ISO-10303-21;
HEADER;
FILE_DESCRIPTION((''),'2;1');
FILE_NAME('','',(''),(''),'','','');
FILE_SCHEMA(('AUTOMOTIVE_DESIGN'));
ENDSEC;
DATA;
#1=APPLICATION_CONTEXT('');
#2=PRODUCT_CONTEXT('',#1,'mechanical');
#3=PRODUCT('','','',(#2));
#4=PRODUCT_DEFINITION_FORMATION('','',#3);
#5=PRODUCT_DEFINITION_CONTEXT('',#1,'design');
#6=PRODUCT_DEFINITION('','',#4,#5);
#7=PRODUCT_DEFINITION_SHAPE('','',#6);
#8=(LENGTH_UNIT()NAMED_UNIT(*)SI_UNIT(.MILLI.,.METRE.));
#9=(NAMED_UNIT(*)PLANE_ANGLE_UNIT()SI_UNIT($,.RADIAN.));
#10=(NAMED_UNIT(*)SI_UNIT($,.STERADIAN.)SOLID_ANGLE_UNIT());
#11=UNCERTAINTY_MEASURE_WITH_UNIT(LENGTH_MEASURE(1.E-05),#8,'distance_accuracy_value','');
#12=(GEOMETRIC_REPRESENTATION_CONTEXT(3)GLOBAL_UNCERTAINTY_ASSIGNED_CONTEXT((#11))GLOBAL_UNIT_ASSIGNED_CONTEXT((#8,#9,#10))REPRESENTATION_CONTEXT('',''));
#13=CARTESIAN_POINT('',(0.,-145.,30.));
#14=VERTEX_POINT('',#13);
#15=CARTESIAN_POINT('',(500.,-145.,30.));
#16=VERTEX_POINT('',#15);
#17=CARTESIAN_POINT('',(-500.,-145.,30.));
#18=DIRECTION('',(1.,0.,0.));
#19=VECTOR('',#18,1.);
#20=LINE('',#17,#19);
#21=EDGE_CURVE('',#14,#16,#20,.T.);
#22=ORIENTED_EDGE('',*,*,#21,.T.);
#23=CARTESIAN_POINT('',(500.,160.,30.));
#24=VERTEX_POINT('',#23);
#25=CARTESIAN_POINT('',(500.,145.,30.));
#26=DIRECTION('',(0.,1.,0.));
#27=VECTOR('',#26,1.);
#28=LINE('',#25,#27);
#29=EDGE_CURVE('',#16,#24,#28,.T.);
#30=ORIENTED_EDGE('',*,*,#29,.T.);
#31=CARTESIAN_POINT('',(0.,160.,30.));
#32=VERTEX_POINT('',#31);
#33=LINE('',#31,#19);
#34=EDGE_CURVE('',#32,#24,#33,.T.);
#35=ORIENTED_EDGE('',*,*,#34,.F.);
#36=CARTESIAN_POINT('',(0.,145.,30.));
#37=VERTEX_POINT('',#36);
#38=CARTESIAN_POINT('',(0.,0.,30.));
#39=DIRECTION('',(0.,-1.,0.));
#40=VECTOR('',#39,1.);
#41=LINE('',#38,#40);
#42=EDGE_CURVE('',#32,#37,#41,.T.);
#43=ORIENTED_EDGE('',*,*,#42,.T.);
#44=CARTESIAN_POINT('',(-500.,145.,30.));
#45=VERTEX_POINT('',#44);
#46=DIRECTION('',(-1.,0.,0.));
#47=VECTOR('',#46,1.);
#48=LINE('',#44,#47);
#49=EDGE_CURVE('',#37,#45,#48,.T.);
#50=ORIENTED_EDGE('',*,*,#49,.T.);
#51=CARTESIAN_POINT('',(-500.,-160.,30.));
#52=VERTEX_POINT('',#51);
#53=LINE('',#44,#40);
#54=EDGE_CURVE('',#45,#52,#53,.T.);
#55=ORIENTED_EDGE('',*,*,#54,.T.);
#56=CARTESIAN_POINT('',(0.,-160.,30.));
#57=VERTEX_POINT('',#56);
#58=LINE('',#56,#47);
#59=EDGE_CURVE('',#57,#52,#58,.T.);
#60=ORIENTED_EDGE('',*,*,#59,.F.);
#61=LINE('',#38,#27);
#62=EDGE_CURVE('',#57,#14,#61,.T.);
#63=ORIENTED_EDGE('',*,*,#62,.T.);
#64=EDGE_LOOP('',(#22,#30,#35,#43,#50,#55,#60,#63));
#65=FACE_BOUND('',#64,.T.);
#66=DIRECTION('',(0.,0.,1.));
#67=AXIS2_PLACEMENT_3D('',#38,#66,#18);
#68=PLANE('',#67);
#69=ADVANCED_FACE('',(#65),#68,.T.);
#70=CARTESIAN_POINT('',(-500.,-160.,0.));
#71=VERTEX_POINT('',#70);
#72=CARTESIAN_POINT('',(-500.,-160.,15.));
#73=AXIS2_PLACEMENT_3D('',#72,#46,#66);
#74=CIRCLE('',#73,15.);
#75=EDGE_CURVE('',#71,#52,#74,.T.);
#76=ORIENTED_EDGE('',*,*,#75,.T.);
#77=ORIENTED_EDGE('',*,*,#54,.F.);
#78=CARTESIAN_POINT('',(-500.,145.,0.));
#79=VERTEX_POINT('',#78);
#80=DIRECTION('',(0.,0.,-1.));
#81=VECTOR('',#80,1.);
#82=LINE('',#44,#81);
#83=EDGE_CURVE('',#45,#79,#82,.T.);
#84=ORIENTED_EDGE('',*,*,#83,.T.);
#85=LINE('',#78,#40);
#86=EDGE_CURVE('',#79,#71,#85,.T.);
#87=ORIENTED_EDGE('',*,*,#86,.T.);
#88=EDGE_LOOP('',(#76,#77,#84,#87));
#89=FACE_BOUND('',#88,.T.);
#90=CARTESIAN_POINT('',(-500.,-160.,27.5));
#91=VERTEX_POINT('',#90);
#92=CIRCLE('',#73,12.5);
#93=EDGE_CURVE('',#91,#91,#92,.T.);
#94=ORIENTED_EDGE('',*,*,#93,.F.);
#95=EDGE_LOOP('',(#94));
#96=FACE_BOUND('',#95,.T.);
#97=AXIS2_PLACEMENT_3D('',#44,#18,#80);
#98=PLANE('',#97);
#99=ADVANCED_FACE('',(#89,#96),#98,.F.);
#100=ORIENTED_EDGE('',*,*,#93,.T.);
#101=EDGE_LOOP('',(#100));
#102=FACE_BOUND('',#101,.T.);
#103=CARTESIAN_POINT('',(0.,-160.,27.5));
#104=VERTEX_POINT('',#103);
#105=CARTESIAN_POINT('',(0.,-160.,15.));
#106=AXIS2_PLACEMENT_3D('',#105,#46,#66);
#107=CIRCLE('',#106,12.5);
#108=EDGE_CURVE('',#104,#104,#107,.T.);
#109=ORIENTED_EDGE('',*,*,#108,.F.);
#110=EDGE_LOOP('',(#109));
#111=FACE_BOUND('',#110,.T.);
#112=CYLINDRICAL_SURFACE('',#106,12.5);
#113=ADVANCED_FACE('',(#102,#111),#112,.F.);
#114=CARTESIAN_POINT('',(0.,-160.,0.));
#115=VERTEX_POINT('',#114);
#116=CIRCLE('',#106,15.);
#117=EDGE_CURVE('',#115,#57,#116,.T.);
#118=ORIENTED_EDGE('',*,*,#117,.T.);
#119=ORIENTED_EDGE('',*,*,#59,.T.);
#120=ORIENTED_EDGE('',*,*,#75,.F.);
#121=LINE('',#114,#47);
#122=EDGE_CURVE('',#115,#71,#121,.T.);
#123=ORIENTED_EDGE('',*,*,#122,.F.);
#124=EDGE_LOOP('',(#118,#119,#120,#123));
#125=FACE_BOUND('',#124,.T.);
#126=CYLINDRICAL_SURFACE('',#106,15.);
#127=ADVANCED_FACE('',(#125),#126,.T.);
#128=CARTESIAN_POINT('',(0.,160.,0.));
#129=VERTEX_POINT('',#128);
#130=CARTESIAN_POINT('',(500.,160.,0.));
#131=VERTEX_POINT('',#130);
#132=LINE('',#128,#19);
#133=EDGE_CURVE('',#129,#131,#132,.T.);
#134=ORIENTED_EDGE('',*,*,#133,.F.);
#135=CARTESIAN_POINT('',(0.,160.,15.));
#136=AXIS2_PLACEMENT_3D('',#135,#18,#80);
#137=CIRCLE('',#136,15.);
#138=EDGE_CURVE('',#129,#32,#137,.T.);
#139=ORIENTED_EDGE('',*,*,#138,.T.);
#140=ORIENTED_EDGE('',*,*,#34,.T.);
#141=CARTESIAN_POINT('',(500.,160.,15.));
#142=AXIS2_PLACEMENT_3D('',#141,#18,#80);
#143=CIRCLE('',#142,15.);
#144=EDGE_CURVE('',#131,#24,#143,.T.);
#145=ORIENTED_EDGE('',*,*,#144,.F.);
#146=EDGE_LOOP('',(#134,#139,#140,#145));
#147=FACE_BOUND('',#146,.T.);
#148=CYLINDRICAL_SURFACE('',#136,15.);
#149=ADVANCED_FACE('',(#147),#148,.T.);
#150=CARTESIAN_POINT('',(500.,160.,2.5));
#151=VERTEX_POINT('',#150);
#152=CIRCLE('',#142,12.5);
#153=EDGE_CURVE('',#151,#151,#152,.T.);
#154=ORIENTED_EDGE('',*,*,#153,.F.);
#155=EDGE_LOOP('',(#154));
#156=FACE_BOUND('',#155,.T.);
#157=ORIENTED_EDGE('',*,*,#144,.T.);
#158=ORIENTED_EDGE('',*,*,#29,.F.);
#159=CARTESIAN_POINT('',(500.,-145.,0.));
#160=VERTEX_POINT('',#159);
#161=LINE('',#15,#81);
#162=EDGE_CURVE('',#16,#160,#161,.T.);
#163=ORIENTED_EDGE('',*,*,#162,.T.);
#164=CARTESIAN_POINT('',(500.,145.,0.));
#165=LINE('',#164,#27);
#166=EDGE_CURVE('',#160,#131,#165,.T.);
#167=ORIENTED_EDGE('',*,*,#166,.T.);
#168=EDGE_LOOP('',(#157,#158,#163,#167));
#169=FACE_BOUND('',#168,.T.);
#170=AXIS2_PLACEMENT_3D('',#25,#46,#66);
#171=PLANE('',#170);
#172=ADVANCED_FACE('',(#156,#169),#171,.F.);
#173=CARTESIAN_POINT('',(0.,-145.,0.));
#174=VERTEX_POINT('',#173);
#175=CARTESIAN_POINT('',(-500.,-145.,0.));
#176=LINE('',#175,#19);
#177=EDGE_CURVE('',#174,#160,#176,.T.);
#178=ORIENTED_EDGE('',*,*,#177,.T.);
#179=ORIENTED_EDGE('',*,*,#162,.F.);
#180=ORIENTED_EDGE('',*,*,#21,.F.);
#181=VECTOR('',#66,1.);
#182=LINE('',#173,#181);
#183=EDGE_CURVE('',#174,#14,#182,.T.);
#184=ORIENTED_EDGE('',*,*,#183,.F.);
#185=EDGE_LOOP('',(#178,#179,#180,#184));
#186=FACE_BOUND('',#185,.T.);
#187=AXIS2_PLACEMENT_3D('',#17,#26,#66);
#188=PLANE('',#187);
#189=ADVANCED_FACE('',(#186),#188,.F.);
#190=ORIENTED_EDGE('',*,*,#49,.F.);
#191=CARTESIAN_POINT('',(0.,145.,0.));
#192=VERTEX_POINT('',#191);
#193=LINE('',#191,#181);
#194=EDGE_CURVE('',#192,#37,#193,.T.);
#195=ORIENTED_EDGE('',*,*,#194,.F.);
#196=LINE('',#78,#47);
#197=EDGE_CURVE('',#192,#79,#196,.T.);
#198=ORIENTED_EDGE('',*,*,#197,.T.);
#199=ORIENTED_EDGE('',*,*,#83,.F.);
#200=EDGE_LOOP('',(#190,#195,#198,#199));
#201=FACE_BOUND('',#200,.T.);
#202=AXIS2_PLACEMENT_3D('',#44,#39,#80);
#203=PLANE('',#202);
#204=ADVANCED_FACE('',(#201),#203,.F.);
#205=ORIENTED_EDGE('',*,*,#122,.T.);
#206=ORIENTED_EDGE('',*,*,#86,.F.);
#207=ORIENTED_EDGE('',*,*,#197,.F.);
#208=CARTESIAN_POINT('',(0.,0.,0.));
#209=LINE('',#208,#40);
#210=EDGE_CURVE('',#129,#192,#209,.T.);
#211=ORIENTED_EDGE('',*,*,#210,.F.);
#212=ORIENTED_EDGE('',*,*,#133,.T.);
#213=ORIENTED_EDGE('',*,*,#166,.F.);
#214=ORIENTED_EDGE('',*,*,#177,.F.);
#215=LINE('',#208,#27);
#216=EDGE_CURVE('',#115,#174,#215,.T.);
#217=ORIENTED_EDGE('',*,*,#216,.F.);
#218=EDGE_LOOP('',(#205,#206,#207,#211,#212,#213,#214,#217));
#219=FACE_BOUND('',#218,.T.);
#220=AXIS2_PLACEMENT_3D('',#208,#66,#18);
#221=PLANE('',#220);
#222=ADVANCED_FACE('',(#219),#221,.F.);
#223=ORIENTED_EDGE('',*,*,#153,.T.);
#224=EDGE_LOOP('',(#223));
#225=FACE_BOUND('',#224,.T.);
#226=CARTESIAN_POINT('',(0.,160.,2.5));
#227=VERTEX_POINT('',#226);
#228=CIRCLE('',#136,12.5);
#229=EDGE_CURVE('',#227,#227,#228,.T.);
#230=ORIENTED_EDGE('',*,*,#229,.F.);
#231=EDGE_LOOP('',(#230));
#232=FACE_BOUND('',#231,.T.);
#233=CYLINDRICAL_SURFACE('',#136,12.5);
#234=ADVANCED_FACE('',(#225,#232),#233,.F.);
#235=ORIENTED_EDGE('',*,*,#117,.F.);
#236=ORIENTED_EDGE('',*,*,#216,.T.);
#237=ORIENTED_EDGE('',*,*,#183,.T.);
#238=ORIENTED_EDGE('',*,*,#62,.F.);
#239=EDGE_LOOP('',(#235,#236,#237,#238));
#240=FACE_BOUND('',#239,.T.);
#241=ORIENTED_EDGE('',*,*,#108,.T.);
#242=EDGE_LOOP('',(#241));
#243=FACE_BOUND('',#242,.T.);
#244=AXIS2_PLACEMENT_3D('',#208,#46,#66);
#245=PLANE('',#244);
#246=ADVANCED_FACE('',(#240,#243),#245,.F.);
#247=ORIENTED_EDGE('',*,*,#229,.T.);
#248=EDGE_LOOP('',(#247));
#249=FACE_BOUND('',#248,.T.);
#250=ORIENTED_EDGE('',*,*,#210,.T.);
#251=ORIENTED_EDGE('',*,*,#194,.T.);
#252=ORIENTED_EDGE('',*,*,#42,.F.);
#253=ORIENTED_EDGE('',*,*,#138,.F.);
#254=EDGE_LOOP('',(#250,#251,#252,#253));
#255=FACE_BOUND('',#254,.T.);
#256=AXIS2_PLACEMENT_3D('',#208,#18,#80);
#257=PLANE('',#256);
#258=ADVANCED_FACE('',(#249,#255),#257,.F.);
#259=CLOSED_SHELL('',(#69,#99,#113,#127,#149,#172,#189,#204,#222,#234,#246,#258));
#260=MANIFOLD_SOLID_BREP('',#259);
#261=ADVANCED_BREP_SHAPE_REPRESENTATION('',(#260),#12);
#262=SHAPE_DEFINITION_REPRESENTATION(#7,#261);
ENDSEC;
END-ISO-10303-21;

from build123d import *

# Parameters (mm, degrees)
SKETCH1_W           = 1000
SKETCH1_H           = 290
BOSS_EXTRUDE1_DEPTH = 30
SKETCH2_R           = 15
SKETCH2_R_2         = 12.5
BOSS_EXTRUDE2_DEPTH = 500
SKETCH3_R           = 15
SKETCH3_R_2         = 12.5
BOSS_EXTRUDE3_DEPTH = 500


with BuildPart() as part:
    # Sketch1 → Boss-Extrude1 (new body)
    with BuildSketch(Plane.XY):
        Rectangle(SKETCH1_W, SKETCH1_H)
    extrude(amount=BOSS_EXTRUDE1_DEPTH)

    # Sketch2 → Boss-Extrude2 (add)
    with BuildSketch(Plane(origin=(500, 0, 0), x_dir=(0, 0, -1), z_dir=(1, 0, 0))):
        with Locations((-15, 160)):
            Circle(SKETCH2_R)
        with Locations((-15, 160)):
            Circle(SKETCH2_R_2, mode=Mode.SUBTRACT)
        with BuildLine():
            ThreePointArc((-15, 145), (-25.606601718, 149.393398282), (-30, 160))
            Line((-30, 160), (-30, 145))
            Line((-30, 145), (-15, 145))
        make_face()
        with BuildLine():
            Line((0, 145), (0, 160))
            ThreePointArc((0, 160), (-4.393398282, 149.393398282), (-15, 145))
            Line((-15, 145), (0, 145))
        make_face()
    extrude(amount=-BOSS_EXTRUDE2_DEPTH)

    # Sketch3 → Boss-Extrude3 (add)
    with BuildSketch(Plane.ZY.offset(500)):
        with BuildLine():
            Line((0, -145), (0, -160))
            ThreePointArc((0, -160), (4.393398282, -149.393398282), (15, -145))
            Line((15, -145), (0, -145))
        make_face()
        with Locations((15, -160)):
            Circle(SKETCH3_R)
        with Locations((15, -160)):
            Circle(SKETCH3_R_2, mode=Mode.SUBTRACT)
        with BuildLine():
            ThreePointArc((15, -145), (25.606601718, -149.393398282), (30, -160))
            Line((30, -160), (30, -145))
            Line((30, -145), (15, -145))
        make_face()
    extrude(amount=-BOSS_EXTRUDE3_DEPTH)


solid = part.part
